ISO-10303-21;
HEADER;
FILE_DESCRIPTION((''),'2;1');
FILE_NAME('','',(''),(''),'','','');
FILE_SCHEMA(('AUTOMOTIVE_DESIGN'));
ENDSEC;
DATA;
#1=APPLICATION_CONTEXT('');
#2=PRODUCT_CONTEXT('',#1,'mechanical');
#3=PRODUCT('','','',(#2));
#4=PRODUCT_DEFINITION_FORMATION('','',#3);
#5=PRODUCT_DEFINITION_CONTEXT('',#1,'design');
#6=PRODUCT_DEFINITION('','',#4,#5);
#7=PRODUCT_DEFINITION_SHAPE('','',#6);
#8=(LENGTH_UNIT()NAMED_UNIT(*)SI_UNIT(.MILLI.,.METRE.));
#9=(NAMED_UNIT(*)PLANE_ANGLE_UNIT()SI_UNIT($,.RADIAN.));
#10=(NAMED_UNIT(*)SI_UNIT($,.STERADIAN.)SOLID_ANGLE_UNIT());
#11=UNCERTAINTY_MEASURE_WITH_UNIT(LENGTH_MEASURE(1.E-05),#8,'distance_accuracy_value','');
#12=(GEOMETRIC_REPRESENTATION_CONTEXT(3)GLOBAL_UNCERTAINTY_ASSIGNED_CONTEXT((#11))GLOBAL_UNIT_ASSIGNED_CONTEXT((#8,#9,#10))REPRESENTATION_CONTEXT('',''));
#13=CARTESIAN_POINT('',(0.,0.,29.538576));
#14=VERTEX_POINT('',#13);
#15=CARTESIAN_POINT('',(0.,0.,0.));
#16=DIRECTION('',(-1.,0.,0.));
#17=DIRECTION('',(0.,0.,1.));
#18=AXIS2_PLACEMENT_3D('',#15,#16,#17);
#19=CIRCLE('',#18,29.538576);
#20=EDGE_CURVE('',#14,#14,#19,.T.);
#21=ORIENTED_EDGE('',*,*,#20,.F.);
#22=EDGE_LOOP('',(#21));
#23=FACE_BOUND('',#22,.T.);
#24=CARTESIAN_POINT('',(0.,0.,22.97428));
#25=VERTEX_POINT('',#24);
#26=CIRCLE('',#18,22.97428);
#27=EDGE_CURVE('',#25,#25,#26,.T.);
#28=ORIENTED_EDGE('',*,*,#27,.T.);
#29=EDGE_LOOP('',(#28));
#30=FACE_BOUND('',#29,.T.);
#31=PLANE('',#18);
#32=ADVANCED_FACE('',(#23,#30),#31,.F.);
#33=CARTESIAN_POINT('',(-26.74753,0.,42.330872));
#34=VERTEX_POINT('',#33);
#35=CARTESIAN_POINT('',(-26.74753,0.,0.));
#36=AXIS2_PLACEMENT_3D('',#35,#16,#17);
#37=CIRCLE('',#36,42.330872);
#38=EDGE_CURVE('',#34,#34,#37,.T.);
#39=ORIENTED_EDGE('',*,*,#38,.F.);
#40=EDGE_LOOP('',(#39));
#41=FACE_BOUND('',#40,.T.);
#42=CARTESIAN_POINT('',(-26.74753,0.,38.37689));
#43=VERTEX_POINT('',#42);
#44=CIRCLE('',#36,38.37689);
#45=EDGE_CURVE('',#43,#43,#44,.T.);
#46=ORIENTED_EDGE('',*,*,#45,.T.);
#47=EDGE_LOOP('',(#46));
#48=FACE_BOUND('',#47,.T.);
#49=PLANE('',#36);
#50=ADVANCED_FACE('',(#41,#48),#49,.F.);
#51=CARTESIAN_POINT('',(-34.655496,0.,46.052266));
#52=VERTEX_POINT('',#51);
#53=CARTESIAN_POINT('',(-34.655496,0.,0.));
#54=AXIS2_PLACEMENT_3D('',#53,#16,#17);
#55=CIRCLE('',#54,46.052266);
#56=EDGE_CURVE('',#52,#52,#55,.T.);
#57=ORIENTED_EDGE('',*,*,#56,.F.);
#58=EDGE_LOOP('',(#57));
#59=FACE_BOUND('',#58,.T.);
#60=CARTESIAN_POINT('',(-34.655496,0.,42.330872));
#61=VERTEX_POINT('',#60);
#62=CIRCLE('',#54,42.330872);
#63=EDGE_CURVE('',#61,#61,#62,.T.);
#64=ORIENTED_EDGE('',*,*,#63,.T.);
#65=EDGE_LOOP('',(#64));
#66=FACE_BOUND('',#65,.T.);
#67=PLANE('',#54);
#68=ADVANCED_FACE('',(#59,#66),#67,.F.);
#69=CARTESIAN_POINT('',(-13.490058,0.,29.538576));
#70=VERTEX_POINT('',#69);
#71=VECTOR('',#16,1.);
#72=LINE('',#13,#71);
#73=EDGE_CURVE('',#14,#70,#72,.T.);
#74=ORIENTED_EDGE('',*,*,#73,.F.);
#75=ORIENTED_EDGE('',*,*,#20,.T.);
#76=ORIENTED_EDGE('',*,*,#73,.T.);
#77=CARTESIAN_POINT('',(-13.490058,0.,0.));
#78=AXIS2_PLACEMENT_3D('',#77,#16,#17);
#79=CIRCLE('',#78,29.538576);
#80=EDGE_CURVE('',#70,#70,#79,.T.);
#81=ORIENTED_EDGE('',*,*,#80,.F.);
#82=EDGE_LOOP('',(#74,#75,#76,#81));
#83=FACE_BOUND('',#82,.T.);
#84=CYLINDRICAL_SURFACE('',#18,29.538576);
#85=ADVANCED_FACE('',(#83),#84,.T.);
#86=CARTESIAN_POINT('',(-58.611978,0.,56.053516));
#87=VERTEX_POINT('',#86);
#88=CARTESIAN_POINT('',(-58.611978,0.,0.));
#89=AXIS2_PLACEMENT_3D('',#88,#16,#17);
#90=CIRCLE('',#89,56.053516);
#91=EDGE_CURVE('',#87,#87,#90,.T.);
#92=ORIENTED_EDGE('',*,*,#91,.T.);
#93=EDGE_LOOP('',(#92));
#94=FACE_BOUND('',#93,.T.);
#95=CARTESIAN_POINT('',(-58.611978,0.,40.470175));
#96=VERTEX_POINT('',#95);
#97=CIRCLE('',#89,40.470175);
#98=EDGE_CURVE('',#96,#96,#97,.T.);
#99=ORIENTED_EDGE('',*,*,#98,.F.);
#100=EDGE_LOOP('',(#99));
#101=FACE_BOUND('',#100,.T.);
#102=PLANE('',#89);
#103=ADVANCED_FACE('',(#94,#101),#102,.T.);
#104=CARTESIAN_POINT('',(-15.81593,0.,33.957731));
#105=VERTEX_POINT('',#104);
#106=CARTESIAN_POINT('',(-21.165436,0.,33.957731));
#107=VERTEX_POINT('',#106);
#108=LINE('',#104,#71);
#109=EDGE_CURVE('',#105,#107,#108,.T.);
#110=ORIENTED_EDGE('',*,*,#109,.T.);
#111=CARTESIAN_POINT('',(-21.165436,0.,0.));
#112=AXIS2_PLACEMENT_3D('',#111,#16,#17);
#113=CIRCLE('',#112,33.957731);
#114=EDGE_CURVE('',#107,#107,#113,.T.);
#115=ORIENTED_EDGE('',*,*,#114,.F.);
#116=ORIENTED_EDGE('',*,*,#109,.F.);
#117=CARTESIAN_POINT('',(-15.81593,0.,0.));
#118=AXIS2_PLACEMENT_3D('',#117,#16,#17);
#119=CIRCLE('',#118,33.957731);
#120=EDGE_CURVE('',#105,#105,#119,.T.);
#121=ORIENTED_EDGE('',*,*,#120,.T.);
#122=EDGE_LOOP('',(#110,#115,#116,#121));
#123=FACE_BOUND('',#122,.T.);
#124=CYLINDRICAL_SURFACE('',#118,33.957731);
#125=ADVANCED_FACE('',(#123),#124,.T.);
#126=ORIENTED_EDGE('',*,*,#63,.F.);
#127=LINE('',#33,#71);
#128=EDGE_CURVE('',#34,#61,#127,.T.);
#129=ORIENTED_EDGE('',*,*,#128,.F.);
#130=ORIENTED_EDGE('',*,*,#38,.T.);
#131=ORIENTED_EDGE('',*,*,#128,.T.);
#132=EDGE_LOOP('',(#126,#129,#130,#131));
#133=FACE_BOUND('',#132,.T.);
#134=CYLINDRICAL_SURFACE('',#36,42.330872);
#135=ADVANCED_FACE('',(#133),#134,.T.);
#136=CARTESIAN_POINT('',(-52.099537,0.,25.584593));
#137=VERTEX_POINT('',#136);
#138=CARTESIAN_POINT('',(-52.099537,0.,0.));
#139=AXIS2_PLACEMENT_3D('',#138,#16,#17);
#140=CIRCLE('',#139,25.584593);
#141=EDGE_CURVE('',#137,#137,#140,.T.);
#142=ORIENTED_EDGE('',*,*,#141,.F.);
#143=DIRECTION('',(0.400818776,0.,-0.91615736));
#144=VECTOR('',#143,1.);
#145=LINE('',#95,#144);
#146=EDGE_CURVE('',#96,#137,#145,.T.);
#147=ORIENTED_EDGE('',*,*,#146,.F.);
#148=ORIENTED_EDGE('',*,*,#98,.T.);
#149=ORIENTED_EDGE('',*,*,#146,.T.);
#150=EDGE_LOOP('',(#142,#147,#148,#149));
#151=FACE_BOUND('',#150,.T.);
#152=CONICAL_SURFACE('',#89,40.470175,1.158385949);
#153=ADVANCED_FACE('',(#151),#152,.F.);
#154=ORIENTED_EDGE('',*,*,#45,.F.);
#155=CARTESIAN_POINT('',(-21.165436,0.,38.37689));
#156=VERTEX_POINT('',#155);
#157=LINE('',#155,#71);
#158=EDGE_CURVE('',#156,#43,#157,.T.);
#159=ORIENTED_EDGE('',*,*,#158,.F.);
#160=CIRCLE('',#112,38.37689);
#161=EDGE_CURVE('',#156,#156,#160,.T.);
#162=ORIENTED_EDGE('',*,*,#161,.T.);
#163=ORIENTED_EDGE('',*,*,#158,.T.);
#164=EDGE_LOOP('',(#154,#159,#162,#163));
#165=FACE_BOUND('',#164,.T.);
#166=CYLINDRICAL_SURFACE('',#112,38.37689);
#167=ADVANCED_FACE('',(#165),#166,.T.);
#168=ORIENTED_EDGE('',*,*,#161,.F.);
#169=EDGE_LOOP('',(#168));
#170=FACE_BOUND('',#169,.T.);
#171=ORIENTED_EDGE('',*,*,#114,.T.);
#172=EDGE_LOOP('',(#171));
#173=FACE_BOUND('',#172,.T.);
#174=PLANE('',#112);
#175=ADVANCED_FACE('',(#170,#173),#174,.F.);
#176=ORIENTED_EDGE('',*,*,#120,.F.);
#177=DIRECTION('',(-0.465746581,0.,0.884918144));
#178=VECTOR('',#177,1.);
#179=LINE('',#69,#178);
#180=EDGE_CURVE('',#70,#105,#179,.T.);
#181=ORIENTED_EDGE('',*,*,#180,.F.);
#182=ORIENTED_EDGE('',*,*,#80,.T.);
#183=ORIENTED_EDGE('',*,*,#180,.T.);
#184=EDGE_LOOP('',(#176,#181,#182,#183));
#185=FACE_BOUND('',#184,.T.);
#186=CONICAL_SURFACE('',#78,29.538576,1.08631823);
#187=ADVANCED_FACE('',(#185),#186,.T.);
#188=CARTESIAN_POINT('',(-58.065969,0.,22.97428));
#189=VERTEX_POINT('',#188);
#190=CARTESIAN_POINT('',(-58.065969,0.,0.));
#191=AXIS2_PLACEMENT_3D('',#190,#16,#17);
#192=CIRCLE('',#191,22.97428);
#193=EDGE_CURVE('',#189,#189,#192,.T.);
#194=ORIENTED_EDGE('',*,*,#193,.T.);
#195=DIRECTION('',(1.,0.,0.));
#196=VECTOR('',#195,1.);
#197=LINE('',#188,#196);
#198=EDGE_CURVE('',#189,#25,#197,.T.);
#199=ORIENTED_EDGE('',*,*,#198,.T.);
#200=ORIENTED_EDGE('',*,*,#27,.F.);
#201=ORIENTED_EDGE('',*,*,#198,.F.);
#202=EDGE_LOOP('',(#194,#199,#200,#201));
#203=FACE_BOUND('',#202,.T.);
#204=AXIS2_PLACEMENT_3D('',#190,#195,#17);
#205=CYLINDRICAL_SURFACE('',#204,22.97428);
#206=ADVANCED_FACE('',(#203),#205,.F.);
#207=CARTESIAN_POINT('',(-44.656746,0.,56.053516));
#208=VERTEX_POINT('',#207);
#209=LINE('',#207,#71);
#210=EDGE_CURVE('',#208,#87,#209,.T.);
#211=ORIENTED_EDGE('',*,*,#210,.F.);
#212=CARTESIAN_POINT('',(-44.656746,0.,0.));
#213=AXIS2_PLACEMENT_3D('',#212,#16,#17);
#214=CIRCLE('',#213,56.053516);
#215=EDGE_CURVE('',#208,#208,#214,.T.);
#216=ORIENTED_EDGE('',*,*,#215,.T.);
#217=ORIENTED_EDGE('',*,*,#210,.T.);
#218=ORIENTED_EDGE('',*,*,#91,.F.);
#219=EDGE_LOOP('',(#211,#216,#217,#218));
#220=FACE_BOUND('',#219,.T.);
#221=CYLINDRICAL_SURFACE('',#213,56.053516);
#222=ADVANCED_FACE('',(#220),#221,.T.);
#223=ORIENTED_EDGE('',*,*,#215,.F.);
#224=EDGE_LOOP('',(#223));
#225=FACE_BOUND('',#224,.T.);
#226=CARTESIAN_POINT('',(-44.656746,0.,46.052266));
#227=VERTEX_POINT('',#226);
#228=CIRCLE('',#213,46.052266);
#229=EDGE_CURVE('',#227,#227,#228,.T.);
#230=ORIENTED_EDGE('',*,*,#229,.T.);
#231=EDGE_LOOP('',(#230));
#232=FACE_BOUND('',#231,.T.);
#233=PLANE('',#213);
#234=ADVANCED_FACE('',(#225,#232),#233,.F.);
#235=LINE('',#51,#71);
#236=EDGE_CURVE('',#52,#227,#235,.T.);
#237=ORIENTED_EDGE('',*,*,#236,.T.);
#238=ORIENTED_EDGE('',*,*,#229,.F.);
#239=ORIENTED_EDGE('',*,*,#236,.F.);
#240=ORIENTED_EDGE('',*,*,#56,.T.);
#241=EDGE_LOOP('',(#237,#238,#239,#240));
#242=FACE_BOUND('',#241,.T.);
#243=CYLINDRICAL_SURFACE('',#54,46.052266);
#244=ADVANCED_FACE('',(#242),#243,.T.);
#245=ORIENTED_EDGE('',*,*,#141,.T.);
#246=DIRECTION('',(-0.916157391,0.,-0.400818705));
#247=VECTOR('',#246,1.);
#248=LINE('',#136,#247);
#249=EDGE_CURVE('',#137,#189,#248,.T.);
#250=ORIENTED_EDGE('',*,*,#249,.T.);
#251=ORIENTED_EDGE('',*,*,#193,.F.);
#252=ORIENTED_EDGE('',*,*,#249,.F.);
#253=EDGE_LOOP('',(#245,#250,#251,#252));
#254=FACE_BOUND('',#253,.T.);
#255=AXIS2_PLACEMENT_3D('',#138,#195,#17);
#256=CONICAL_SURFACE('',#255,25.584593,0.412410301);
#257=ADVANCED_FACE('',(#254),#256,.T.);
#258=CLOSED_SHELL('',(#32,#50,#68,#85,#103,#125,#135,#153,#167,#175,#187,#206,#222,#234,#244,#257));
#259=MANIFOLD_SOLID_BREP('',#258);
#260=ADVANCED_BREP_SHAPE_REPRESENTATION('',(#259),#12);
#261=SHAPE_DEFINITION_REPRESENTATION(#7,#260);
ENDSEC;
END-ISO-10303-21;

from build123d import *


with BuildPart() as f1:
    # F0 (on Front) → F1 (revolve)
    with BuildSketch(Plane.XZ):
        Polygon((0, 22.97428), (0, 29.538576), (-13.490058, 29.538576), (-15.81593, 33.957731), (-21.165436, 33.957731), (-21.165436, 38.37689), (-26.74753, 38.37689), (-26.74753, 42.330872), (-34.655496, 42.330872), (-34.655496, 46.052266), (-44.656746, 46.052266), (-44.656746, 56.053516), (-58.611978, 56.053516), (-58.611978, 40.470175), (-52.099537, 25.584593), (-58.065969, 22.97428), align=None)
    revolve(axis=Axis((-37.44654, 0, 0), (-1, 0, 0)))


solid = f1.part
